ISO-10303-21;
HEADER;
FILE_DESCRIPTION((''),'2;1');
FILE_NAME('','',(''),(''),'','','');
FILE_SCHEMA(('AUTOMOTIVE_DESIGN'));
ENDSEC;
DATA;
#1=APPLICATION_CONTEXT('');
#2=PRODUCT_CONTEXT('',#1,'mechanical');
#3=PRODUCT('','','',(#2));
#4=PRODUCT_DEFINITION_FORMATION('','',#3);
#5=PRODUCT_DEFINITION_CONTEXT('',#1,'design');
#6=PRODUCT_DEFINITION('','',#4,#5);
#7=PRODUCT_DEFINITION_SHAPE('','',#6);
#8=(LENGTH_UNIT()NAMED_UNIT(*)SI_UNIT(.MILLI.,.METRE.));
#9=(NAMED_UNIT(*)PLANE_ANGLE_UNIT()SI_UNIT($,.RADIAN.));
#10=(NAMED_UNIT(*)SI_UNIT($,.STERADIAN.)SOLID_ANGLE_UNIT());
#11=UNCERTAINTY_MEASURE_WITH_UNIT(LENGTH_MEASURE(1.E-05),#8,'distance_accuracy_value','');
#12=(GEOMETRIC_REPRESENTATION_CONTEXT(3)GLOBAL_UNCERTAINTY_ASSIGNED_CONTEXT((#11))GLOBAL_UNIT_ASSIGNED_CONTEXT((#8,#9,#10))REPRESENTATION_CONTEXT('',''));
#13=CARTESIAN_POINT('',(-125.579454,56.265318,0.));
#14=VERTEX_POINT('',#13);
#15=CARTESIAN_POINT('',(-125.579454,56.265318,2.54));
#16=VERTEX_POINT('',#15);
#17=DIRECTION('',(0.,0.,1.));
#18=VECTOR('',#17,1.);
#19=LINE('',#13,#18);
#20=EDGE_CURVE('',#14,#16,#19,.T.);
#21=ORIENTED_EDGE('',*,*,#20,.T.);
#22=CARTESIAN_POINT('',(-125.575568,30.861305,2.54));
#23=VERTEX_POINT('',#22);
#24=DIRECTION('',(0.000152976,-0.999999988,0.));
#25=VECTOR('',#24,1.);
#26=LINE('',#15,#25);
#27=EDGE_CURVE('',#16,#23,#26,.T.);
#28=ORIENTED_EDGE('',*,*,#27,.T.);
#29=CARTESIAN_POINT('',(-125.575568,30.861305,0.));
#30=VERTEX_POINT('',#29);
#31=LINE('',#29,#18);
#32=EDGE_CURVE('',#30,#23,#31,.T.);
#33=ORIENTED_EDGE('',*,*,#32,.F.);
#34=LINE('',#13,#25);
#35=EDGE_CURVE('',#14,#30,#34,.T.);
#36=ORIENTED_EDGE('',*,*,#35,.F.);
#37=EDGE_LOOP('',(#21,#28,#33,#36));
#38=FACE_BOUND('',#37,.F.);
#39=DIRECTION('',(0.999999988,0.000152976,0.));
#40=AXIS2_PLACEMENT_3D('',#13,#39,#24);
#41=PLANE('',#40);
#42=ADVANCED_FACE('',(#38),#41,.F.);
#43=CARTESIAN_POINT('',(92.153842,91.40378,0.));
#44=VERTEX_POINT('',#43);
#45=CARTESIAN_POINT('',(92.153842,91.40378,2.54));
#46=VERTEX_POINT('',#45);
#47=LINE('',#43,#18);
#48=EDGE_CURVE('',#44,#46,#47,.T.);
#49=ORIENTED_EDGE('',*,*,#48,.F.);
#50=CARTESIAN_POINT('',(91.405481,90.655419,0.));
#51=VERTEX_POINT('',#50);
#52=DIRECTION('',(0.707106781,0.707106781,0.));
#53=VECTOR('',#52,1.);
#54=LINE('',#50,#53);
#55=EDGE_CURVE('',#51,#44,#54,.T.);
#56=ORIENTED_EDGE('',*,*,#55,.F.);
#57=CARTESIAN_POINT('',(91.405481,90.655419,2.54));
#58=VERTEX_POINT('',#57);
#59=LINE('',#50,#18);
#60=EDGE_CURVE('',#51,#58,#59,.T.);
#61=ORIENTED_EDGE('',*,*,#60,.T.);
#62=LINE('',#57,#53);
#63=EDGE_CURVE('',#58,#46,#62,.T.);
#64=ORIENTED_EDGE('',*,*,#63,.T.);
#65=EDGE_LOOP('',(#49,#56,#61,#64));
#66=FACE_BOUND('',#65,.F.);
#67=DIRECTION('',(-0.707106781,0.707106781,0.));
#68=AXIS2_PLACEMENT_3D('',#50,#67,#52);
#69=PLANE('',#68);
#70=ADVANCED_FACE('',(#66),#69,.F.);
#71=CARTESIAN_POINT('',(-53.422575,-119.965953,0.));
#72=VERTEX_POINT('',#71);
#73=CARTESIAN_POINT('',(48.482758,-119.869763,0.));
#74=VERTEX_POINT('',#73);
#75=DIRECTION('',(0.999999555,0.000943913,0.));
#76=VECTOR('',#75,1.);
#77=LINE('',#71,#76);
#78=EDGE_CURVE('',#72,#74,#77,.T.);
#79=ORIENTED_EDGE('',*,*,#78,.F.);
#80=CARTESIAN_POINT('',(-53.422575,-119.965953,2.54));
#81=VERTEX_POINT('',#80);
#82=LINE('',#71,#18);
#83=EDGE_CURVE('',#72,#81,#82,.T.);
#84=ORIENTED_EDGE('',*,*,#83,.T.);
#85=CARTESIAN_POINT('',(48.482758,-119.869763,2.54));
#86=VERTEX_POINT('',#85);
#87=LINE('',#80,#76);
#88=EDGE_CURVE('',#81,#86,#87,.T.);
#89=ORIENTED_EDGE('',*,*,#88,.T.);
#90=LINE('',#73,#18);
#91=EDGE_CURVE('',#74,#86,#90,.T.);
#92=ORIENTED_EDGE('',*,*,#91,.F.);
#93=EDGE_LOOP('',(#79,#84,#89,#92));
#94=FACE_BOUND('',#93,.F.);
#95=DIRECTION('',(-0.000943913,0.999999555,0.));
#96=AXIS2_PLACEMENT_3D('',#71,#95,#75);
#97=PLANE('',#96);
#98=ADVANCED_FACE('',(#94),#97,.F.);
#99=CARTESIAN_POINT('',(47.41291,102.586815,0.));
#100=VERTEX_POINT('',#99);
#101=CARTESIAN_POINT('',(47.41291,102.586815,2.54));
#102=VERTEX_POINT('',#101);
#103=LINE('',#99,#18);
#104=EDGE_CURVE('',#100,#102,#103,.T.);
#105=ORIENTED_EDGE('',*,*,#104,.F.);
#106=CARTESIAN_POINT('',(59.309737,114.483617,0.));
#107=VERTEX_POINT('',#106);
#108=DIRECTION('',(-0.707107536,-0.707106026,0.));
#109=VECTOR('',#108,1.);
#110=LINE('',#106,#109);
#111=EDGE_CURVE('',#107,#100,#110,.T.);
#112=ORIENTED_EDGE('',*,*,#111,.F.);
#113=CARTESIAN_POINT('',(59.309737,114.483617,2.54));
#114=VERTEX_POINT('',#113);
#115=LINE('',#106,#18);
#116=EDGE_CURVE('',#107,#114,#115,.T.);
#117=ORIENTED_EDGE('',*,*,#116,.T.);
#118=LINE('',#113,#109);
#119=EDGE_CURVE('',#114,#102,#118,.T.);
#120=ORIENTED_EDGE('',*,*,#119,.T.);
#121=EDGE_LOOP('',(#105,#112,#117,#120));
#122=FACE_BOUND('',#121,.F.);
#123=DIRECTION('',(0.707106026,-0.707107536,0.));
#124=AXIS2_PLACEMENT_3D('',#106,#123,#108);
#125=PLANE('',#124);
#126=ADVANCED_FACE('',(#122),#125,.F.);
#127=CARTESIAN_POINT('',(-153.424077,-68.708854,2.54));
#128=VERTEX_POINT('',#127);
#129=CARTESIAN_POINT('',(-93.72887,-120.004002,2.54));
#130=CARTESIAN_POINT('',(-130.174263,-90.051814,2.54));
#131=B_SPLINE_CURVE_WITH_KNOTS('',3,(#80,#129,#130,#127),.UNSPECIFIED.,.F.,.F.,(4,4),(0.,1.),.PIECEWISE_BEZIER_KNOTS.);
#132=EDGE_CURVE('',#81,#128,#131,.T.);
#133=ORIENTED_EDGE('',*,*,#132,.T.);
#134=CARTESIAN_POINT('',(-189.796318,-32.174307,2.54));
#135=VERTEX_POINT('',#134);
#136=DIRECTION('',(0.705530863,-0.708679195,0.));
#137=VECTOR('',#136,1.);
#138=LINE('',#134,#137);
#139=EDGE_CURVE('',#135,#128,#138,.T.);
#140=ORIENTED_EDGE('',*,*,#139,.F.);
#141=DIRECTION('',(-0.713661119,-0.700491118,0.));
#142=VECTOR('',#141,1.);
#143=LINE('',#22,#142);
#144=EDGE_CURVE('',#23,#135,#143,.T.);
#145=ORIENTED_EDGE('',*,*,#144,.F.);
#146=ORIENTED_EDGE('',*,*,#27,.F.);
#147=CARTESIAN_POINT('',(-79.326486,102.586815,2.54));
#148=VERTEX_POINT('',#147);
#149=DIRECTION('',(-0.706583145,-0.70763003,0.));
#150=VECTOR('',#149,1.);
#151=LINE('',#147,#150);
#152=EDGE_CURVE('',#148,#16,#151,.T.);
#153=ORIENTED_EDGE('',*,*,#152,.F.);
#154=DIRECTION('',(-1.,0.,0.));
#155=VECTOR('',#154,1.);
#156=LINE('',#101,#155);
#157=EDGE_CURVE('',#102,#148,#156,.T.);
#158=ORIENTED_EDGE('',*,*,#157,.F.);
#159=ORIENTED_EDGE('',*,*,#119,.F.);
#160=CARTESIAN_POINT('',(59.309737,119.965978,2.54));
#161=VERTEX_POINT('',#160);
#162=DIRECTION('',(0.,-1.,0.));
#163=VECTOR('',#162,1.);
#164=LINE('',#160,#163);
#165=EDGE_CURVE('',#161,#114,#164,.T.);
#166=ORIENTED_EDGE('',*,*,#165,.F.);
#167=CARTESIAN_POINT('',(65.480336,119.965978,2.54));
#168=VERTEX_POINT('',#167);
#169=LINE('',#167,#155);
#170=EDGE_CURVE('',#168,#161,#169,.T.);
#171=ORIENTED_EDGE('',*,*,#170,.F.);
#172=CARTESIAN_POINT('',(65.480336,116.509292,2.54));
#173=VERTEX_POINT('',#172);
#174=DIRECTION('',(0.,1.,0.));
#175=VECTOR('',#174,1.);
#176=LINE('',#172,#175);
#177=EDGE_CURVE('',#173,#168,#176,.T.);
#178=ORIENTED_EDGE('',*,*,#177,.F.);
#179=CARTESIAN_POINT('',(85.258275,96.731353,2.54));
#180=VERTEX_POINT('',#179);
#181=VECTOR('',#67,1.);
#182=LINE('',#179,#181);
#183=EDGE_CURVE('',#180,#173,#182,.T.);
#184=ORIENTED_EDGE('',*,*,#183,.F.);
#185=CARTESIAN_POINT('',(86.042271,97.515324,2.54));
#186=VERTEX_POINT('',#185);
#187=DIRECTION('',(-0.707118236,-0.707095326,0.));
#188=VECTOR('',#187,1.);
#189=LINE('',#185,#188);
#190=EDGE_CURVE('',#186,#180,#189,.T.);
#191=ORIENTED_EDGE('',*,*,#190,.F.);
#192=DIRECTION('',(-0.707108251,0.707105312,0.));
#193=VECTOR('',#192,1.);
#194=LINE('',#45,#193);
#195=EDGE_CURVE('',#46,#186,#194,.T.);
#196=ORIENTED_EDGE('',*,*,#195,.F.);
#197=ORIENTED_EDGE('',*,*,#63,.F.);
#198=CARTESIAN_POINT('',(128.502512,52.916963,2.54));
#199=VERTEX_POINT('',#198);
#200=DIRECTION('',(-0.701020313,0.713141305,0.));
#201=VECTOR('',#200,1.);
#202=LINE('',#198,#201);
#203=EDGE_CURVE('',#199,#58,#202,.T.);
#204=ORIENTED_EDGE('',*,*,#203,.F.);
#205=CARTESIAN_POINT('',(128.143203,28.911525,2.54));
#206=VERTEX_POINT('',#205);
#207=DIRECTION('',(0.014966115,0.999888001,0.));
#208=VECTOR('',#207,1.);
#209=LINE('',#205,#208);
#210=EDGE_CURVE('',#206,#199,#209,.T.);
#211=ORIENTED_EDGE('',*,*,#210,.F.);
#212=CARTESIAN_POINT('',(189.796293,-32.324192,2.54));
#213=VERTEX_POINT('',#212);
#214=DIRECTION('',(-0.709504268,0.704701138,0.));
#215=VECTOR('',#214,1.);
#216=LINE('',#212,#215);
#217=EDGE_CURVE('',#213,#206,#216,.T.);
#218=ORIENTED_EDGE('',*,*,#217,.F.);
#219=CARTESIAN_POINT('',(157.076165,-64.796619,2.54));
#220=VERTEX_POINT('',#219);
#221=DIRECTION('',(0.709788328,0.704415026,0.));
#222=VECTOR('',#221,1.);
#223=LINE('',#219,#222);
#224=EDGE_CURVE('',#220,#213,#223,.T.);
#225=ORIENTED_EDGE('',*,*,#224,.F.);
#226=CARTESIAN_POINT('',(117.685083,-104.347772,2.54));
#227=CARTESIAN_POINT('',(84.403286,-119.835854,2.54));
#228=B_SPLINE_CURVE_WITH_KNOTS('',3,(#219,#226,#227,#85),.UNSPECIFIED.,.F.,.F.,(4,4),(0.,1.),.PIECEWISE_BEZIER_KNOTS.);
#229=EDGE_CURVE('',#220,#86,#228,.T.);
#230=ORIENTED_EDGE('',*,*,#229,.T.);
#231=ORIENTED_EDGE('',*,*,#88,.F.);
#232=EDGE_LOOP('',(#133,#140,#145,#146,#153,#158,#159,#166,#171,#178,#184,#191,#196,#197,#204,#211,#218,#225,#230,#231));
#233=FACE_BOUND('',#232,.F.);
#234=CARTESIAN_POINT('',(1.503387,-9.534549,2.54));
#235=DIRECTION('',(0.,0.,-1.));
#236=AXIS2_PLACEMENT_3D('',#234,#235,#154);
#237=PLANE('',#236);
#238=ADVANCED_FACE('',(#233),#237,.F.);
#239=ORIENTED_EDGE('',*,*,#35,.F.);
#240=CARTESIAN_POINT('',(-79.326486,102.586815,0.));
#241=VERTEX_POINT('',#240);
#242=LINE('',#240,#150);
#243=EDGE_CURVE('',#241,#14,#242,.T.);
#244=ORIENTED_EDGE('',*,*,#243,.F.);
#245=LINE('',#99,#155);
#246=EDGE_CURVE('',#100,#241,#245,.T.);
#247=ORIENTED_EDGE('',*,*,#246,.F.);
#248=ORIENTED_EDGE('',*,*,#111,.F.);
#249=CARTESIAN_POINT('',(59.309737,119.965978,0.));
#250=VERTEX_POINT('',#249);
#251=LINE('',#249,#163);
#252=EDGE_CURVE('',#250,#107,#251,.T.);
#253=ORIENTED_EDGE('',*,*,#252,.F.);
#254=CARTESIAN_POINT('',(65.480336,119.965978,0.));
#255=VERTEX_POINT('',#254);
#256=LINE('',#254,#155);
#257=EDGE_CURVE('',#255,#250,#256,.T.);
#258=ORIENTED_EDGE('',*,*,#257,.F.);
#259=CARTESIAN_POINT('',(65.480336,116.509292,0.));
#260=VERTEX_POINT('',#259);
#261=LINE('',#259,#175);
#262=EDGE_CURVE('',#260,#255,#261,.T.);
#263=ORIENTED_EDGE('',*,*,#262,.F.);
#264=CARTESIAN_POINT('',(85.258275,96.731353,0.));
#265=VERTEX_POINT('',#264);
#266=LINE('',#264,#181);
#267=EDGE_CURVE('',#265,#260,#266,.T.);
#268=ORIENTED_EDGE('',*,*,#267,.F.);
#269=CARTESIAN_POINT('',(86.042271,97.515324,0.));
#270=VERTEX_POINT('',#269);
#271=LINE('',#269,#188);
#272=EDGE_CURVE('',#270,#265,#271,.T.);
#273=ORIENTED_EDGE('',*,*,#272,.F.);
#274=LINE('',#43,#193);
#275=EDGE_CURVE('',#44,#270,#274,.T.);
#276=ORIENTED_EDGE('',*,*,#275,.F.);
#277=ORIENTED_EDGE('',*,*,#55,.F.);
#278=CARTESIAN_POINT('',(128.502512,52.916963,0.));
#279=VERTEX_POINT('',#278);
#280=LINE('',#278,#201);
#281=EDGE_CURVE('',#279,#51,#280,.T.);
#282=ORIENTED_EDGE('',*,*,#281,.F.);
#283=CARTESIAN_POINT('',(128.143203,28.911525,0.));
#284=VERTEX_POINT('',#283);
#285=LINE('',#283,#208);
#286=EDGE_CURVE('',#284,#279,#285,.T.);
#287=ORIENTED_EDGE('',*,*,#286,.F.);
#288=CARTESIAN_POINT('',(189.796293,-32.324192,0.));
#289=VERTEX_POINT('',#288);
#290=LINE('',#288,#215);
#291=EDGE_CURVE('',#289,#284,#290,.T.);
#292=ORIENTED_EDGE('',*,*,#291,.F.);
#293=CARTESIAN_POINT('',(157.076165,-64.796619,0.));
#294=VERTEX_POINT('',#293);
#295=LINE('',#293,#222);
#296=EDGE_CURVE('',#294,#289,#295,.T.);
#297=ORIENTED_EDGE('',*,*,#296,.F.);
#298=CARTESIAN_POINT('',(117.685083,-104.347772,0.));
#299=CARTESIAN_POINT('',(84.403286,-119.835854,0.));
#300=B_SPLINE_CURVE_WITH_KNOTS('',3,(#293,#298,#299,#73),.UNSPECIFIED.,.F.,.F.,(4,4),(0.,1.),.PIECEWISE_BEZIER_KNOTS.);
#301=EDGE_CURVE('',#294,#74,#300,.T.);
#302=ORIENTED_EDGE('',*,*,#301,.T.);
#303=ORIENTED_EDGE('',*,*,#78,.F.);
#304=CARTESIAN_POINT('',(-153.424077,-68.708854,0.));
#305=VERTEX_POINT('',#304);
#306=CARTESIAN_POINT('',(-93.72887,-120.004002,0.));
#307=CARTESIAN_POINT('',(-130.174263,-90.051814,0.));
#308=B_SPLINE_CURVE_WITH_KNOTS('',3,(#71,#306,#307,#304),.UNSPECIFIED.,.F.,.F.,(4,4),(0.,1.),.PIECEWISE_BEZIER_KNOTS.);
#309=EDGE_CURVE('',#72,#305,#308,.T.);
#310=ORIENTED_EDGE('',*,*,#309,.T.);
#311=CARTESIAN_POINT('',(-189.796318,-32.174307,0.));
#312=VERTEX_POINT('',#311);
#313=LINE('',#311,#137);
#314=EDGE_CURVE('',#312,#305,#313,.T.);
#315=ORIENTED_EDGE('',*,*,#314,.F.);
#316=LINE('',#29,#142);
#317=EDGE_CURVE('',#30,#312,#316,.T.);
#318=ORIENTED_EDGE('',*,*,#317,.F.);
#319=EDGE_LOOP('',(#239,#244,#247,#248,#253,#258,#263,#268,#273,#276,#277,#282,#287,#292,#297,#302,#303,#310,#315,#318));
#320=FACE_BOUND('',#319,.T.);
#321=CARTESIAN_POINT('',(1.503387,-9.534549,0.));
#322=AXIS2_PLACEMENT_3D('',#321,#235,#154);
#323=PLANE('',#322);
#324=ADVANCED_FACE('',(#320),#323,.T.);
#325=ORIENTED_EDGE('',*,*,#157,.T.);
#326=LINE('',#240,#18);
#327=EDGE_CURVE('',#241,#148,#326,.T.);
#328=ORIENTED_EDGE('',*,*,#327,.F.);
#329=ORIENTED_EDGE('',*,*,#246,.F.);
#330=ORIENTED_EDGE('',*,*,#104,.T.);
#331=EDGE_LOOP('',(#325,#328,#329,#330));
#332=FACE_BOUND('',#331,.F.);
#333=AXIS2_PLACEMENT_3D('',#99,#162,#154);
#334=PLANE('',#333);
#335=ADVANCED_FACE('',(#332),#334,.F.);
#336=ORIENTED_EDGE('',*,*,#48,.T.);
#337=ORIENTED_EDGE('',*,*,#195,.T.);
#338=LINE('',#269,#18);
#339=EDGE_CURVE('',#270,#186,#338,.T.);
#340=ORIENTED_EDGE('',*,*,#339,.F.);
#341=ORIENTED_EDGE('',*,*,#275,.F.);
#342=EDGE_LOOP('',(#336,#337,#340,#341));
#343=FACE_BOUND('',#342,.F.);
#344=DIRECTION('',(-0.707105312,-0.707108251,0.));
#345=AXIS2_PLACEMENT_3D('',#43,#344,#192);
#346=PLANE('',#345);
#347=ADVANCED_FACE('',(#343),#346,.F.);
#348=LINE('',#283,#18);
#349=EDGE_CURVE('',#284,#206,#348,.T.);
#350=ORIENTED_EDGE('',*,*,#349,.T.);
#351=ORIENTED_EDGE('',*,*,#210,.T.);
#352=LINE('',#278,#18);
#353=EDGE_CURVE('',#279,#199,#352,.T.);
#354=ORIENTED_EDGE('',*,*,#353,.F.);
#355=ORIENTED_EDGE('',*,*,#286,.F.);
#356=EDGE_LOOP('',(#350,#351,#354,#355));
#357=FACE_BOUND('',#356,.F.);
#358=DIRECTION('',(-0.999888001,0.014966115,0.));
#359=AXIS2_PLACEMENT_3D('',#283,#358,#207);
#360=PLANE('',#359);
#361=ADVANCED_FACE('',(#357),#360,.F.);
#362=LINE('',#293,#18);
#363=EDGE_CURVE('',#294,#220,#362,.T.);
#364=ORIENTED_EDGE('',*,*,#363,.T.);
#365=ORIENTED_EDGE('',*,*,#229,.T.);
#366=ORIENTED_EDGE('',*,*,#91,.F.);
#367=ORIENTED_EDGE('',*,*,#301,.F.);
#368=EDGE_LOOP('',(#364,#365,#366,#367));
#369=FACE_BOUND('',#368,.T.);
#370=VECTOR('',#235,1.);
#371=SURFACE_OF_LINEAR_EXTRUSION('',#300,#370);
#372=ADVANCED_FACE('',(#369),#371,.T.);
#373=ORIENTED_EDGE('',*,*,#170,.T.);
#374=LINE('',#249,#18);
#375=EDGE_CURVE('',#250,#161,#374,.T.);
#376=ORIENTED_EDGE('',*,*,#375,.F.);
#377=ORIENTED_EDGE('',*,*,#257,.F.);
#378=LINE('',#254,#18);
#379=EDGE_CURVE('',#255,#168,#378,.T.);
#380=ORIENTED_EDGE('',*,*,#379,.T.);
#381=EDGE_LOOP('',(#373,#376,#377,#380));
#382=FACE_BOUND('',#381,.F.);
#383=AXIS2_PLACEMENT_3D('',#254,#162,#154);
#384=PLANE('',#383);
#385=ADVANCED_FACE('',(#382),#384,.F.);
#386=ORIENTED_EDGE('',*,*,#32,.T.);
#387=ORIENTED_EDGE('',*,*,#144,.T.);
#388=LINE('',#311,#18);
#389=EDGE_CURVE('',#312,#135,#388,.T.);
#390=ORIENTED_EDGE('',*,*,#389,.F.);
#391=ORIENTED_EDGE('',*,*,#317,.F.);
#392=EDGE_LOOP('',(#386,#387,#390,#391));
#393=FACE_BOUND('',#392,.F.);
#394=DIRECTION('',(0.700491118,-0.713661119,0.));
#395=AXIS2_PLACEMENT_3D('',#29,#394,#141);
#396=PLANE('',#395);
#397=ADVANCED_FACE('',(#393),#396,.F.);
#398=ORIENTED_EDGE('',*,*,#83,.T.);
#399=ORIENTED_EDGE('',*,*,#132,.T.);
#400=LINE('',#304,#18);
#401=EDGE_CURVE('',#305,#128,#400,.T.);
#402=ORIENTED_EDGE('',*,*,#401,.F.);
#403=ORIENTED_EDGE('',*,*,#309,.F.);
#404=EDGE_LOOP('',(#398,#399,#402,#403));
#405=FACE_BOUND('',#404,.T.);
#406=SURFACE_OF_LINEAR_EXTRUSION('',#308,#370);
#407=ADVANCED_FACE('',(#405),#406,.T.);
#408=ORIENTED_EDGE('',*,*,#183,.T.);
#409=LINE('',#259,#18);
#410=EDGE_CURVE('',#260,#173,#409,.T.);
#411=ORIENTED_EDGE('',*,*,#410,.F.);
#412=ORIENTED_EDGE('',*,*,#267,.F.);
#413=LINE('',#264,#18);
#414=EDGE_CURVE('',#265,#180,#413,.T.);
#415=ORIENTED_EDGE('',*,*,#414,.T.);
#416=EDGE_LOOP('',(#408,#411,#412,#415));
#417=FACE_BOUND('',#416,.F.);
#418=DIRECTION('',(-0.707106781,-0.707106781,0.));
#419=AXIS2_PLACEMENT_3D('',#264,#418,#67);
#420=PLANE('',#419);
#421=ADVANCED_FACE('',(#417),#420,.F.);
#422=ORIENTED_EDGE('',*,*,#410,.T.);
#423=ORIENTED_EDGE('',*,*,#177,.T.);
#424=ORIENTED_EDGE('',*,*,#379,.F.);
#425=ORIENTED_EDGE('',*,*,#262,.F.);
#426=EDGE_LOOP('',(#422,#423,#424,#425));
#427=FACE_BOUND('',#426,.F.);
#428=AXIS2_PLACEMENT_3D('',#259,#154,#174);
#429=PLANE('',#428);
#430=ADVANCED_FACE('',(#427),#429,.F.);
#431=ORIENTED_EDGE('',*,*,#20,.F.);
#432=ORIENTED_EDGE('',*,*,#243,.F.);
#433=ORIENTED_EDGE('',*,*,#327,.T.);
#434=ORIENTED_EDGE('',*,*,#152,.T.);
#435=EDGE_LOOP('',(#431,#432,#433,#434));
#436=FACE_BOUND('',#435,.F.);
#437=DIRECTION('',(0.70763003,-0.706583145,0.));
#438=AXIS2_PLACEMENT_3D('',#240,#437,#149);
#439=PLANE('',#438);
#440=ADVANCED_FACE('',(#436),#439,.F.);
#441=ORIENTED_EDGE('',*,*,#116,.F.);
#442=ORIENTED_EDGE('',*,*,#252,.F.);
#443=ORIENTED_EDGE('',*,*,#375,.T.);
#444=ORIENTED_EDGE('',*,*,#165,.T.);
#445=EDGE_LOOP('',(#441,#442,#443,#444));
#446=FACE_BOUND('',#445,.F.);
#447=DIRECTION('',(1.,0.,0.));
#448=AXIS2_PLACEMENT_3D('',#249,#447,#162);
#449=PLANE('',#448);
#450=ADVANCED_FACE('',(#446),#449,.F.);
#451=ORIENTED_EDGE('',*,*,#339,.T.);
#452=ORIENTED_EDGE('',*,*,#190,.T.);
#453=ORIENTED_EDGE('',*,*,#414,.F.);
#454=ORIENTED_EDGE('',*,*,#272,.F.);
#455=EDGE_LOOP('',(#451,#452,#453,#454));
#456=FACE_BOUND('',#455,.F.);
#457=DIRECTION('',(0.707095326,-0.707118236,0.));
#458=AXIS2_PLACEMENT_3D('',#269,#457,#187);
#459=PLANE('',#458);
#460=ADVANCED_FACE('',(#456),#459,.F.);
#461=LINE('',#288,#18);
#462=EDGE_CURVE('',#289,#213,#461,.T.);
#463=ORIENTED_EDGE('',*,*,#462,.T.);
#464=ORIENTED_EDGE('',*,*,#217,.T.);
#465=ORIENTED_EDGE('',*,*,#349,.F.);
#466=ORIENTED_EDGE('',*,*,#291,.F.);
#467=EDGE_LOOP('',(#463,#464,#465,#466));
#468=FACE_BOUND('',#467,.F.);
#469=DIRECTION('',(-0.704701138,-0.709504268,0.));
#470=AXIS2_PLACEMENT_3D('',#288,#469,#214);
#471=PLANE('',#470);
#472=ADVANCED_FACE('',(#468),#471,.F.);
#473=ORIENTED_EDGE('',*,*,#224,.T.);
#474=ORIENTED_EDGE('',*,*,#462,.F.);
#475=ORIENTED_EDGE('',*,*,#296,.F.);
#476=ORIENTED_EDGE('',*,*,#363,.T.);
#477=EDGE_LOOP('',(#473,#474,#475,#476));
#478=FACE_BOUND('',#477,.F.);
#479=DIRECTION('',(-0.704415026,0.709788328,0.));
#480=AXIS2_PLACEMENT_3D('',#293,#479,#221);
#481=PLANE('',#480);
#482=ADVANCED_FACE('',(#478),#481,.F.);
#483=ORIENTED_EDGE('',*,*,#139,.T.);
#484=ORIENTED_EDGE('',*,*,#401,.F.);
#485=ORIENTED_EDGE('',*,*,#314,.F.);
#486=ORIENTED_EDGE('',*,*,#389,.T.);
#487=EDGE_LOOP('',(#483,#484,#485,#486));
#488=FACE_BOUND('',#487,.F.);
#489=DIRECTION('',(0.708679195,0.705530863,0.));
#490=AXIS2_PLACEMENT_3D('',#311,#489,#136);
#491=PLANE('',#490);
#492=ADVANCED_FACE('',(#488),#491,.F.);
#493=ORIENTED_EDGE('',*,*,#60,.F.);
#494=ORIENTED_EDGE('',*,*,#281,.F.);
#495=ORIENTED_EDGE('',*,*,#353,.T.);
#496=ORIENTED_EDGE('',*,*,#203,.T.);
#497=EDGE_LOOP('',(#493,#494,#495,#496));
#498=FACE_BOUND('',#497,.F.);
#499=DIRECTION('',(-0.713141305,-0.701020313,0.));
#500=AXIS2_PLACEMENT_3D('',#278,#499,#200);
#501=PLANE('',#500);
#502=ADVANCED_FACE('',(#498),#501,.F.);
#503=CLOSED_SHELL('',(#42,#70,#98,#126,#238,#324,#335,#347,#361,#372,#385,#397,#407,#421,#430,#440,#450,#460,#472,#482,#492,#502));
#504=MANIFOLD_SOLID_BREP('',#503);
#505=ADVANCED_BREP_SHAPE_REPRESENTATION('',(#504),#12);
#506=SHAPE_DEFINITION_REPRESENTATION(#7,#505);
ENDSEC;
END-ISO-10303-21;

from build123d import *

# Parameters (mm, degrees)
F1_DEPTH = 2.54


with BuildPart() as f1:
    # F0 (on Top) → F1 (new body)
    with BuildSketch(Plane.XY):
        with BuildLine():
            add(Edge.make_bspline(
                [(157.0761654, -64.7966192), (117.6850834, -104.347772), (84.4032856, -119.8358538), (48.482758, -119.8697628)],
                knots=[0, 0, 0, 0, 1, 1, 1, 1], degree=3))
            Line((157.0761654, -64.7966192), (189.796293, -32.3241924))
            Line((189.796293, -32.3241924), (128.1432032, 28.9115246))
            Line((128.1432032, 28.9115246), (128.5025116, 52.916963))
            Line((128.5025116, 52.916963), (91.4054814, 90.6554194))
            Line((91.4054814, 90.6554194), (92.1538416, 91.4037796))
            Line((92.1538416, 91.4037796), (86.0422714, 97.5153244))
            Line((86.0422714, 97.5153244), (85.258275, 96.7313534))
            Line((85.258275, 96.7313534), (65.4803364, 116.509292))
            Line((65.4803364, 116.509292), (65.4803364, 119.965978))
            Line((65.4803364, 119.965978), (59.3097366, 119.965978))
            Line((59.3097366, 119.965978), (59.3097366, 114.4836166))
            Line((59.3097366, 114.4836166), (47.41291, 102.5868154))
            Line((47.41291, 102.5868154), (-79.326486, 102.5868154))
            Line((-79.326486, 102.5868154), (-125.5794542, 56.265318))
            Line((-125.5794542, 56.265318), (-125.575568, 30.8613048))
            Line((-125.575568, 30.8613048), (-189.7963184, -32.174307))
            Line((-189.7963184, -32.174307), (-153.4240772, -68.7088542))
            add(Edge.make_bspline(
                [(-53.4225754, -119.9659526), (-93.7288702, -120.0040018), (-130.1742634, -90.0518138), (-153.4240772, -68.7088542)],
                knots=[0, 0, 0, 0, 1, 1, 1, 1], degree=3))
            Line((-53.4225754, -119.9659526), (48.482758, -119.8697628))
        make_face()
    extrude(amount=F1_DEPTH)


solid = f1.part
